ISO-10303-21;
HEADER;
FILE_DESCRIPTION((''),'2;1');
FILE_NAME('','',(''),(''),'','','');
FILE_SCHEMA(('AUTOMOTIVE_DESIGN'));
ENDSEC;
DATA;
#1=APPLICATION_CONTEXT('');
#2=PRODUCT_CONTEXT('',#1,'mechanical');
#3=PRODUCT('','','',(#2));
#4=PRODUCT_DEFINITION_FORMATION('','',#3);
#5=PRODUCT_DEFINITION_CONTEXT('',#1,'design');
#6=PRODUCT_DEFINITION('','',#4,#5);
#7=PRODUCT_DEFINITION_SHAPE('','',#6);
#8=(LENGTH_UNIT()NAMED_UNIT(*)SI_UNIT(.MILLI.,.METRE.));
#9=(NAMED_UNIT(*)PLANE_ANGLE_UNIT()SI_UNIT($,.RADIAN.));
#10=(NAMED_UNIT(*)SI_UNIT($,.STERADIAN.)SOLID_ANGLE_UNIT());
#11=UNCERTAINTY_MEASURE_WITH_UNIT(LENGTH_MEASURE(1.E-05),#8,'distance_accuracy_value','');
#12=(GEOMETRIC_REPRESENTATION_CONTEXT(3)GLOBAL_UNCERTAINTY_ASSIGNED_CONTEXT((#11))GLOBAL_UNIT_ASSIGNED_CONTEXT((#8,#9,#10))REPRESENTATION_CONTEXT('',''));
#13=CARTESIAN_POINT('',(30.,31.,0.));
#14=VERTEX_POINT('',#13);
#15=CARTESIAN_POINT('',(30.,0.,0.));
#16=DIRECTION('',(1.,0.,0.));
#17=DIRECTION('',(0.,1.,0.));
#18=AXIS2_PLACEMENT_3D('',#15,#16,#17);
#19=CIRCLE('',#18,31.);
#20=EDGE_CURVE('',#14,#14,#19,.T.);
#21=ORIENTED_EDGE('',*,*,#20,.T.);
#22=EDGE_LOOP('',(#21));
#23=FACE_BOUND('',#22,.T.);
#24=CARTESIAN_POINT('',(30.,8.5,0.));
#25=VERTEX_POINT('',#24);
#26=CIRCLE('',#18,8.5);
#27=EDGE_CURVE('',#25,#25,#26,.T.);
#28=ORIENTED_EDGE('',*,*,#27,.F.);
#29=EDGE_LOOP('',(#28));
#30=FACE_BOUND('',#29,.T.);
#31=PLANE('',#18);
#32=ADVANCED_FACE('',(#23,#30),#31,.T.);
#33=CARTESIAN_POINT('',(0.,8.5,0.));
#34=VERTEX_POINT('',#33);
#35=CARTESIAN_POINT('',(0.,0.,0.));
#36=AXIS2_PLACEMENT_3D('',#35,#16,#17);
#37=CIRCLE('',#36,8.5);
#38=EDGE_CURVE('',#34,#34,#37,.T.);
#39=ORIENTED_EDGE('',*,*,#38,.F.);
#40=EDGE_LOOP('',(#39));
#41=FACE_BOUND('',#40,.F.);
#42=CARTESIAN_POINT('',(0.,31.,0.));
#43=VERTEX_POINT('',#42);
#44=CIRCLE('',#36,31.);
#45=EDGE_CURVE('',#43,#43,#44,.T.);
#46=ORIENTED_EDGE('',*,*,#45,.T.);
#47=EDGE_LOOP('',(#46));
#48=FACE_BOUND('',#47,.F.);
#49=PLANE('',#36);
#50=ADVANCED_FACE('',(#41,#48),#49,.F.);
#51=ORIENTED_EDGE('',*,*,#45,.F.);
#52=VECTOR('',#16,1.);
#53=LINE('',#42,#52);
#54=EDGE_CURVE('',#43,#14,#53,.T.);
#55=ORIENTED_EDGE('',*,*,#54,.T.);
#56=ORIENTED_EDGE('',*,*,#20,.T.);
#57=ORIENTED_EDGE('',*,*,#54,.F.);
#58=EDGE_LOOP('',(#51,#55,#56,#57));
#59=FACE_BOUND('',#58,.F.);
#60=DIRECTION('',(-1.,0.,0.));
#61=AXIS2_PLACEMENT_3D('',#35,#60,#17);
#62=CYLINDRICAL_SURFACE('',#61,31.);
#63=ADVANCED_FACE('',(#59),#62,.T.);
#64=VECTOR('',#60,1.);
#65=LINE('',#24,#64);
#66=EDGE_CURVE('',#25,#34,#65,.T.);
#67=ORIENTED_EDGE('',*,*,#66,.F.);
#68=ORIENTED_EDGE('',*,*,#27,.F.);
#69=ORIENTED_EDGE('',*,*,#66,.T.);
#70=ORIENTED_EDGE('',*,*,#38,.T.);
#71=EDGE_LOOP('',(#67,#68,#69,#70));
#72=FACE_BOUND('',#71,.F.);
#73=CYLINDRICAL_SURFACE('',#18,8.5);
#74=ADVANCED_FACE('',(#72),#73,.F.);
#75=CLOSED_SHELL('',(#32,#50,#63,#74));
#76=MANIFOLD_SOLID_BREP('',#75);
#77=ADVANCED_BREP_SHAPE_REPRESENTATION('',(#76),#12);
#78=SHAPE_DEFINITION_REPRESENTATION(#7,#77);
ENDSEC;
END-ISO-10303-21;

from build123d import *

# Parameters (mm, degrees)
F0_R     = 31
F1_DEPTH = 30
F2_R     = 8.5
F3_DEPTH = 30.001


with BuildPart() as f1:
    # F0 (on Right) → F1 (new body)
    with BuildSketch(Plane.YZ):
        Circle(F0_R)
    extrude(amount=F1_DEPTH)

    # F2 (on face) → F3 (cut, through all)
    with BuildSketch(Plane.YZ.offset(30)):
        Circle(F2_R)
    extrude(amount=-F3_DEPTH, mode=Mode.SUBTRACT)


solid = f1.part
